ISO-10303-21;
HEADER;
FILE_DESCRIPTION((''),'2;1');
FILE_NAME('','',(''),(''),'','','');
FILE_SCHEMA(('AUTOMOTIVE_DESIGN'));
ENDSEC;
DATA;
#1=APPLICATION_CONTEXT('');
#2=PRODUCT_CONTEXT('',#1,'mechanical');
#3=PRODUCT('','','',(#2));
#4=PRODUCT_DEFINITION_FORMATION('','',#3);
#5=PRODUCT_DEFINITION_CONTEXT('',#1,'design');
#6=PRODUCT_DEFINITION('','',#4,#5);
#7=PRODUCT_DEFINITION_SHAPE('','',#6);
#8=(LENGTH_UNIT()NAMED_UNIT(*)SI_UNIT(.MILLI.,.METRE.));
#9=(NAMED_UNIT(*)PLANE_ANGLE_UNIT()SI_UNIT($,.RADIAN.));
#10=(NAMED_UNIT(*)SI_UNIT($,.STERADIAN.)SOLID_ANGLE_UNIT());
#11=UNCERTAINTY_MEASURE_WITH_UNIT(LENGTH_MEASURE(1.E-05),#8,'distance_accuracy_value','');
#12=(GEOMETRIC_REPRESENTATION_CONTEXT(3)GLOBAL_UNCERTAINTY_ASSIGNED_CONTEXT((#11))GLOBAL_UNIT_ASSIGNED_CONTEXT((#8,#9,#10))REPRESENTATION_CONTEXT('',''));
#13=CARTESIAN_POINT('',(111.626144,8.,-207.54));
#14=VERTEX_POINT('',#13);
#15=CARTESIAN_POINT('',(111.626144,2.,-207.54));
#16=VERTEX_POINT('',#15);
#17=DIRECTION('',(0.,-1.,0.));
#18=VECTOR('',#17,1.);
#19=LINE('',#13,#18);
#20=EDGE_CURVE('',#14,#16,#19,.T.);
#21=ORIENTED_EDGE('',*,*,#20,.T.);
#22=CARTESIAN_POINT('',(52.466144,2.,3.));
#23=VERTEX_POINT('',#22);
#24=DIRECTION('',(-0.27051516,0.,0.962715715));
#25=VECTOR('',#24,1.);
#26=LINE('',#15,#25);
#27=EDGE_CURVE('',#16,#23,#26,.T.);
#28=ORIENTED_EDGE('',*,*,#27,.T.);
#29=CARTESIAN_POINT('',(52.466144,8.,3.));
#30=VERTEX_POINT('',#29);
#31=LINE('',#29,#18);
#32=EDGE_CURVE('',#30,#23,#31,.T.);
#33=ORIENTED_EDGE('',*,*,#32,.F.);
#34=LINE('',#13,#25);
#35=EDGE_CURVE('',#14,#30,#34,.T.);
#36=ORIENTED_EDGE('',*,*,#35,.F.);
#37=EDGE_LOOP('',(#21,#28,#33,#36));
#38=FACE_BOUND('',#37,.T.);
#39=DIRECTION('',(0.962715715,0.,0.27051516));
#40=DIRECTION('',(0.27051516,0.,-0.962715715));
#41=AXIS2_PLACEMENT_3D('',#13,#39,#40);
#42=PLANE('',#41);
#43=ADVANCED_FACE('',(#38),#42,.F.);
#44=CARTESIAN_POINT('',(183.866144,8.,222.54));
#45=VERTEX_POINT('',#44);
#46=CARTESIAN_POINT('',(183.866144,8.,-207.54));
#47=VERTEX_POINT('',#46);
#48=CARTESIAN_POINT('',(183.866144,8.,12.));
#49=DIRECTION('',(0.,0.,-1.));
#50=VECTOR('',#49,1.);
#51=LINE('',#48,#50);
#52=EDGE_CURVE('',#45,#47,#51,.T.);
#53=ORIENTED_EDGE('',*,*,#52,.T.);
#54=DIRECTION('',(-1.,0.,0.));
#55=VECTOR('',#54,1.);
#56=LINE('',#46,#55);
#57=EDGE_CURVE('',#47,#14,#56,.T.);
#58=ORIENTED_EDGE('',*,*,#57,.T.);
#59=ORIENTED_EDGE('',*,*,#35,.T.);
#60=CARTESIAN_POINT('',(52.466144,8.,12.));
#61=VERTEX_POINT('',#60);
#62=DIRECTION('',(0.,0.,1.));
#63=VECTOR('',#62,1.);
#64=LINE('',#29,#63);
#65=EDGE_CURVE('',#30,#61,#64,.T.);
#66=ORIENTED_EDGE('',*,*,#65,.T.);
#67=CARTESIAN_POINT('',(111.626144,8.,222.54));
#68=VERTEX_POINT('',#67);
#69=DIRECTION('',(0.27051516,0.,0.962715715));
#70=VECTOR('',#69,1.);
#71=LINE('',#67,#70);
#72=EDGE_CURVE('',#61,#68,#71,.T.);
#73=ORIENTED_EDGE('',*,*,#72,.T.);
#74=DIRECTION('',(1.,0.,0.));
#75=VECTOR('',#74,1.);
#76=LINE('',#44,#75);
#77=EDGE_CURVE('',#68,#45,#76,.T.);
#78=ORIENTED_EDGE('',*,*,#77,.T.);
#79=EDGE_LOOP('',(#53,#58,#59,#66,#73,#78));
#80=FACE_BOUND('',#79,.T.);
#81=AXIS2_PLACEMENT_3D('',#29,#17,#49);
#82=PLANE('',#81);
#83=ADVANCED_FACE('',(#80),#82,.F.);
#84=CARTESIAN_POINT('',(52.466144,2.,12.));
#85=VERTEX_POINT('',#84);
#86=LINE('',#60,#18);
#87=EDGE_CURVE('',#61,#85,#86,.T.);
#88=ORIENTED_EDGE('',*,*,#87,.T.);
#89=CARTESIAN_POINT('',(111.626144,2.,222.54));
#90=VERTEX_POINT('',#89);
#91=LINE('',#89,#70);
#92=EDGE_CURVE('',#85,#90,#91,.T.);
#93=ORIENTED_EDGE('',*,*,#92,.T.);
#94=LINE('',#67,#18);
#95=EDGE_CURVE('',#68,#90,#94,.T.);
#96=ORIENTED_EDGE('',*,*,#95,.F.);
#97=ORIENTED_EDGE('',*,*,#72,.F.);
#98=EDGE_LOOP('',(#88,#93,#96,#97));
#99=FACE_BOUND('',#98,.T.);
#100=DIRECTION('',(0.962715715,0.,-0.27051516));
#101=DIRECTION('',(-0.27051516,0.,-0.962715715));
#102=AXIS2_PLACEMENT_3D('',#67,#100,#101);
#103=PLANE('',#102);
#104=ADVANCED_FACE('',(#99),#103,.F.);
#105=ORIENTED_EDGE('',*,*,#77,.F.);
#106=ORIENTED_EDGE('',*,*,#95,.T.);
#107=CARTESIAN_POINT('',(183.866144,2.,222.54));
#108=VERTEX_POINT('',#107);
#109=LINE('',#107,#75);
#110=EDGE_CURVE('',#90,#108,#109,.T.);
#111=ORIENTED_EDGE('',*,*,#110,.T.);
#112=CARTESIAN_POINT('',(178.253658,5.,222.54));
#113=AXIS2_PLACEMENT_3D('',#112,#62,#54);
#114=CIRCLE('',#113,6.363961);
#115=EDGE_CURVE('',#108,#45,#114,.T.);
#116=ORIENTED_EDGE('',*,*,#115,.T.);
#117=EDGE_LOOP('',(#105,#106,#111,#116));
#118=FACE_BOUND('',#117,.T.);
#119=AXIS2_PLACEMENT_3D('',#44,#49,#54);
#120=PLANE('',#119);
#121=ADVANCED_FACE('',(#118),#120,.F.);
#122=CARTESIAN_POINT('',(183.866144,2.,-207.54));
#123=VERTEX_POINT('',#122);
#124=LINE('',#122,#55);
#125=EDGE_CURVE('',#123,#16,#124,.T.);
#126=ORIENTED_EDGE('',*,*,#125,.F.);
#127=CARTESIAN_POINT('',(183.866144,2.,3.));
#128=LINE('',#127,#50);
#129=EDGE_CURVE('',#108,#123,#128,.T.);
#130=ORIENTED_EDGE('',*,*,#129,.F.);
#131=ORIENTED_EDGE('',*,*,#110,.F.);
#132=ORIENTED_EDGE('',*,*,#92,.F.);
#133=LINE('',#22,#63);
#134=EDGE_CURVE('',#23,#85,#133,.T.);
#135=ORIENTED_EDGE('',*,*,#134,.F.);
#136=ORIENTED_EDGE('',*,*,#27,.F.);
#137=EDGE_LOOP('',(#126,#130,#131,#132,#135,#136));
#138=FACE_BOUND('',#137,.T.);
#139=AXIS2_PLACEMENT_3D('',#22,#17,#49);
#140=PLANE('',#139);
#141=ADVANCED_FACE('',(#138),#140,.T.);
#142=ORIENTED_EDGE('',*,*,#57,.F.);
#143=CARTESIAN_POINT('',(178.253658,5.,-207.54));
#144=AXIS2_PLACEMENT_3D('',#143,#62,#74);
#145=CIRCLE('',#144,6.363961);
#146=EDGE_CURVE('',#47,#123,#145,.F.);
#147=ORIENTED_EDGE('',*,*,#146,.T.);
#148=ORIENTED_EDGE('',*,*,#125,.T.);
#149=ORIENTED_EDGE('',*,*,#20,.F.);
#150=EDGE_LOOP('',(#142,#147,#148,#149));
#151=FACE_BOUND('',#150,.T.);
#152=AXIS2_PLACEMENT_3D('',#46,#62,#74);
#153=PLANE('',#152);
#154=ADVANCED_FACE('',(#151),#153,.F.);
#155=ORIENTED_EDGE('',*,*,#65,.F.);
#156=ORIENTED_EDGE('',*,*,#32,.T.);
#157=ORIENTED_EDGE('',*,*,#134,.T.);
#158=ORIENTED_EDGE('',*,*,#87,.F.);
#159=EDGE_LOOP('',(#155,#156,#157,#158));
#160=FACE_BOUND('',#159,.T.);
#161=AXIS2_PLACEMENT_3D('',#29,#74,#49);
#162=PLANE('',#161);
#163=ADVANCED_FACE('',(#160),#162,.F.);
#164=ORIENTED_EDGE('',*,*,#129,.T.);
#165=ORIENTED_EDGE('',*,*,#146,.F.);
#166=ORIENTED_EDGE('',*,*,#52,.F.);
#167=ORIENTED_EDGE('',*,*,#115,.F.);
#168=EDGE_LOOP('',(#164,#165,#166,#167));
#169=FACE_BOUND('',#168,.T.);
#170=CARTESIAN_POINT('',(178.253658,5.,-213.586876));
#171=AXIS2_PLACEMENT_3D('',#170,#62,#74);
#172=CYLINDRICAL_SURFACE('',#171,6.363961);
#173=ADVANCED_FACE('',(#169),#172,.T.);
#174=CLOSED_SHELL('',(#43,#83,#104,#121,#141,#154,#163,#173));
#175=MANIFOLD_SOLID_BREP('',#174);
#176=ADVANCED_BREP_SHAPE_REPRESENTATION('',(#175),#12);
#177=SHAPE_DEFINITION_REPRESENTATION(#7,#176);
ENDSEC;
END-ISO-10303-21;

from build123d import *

# Parameters (mm, degrees)
BOSS_EXTRUDE1_DEPTH = 10
SCALE2_SCALE        = 0.6
BOSS_EXTRUDE2_DEPTH = 430.08


with BuildPart() as part:
    # Sketch1 → Boss-Extrude1 (new body)
    with BuildSketch(Plane(origin=(0, 0, 0), x_dir=(1, 0, 0), z_dir=(0, 1, 0))):
        Polygon((219, 0), (219, 350.9), (98.6, 350.9), (0, 0), (0, -15), (98.6, -365.9), (219, -365.9), (219, -15), align=None)
    extrude(amount=BOSS_EXTRUDE1_DEPTH)


with BuildPart() as part_1:
    # Scale2: scaled about (131.165360429, 5, 7.5)
    add(part.part.scale(SCALE2_SCALE).moved(Location((52.466144172, 2, 3))))

    # Sketch2 → Boss-Extrude2 (add)
    with BuildSketch(Plane.XY.offset(222.54)):
        with BuildLine():
            Line((183.866144171, 8), (183.866144171, 2))
            ThreePointArc((183.866144171, 2), (184.617619122, 5), (183.866144171, 8))
        make_face()
    extrude(amount=-BOSS_EXTRUDE2_DEPTH)


solid = part_1.part
